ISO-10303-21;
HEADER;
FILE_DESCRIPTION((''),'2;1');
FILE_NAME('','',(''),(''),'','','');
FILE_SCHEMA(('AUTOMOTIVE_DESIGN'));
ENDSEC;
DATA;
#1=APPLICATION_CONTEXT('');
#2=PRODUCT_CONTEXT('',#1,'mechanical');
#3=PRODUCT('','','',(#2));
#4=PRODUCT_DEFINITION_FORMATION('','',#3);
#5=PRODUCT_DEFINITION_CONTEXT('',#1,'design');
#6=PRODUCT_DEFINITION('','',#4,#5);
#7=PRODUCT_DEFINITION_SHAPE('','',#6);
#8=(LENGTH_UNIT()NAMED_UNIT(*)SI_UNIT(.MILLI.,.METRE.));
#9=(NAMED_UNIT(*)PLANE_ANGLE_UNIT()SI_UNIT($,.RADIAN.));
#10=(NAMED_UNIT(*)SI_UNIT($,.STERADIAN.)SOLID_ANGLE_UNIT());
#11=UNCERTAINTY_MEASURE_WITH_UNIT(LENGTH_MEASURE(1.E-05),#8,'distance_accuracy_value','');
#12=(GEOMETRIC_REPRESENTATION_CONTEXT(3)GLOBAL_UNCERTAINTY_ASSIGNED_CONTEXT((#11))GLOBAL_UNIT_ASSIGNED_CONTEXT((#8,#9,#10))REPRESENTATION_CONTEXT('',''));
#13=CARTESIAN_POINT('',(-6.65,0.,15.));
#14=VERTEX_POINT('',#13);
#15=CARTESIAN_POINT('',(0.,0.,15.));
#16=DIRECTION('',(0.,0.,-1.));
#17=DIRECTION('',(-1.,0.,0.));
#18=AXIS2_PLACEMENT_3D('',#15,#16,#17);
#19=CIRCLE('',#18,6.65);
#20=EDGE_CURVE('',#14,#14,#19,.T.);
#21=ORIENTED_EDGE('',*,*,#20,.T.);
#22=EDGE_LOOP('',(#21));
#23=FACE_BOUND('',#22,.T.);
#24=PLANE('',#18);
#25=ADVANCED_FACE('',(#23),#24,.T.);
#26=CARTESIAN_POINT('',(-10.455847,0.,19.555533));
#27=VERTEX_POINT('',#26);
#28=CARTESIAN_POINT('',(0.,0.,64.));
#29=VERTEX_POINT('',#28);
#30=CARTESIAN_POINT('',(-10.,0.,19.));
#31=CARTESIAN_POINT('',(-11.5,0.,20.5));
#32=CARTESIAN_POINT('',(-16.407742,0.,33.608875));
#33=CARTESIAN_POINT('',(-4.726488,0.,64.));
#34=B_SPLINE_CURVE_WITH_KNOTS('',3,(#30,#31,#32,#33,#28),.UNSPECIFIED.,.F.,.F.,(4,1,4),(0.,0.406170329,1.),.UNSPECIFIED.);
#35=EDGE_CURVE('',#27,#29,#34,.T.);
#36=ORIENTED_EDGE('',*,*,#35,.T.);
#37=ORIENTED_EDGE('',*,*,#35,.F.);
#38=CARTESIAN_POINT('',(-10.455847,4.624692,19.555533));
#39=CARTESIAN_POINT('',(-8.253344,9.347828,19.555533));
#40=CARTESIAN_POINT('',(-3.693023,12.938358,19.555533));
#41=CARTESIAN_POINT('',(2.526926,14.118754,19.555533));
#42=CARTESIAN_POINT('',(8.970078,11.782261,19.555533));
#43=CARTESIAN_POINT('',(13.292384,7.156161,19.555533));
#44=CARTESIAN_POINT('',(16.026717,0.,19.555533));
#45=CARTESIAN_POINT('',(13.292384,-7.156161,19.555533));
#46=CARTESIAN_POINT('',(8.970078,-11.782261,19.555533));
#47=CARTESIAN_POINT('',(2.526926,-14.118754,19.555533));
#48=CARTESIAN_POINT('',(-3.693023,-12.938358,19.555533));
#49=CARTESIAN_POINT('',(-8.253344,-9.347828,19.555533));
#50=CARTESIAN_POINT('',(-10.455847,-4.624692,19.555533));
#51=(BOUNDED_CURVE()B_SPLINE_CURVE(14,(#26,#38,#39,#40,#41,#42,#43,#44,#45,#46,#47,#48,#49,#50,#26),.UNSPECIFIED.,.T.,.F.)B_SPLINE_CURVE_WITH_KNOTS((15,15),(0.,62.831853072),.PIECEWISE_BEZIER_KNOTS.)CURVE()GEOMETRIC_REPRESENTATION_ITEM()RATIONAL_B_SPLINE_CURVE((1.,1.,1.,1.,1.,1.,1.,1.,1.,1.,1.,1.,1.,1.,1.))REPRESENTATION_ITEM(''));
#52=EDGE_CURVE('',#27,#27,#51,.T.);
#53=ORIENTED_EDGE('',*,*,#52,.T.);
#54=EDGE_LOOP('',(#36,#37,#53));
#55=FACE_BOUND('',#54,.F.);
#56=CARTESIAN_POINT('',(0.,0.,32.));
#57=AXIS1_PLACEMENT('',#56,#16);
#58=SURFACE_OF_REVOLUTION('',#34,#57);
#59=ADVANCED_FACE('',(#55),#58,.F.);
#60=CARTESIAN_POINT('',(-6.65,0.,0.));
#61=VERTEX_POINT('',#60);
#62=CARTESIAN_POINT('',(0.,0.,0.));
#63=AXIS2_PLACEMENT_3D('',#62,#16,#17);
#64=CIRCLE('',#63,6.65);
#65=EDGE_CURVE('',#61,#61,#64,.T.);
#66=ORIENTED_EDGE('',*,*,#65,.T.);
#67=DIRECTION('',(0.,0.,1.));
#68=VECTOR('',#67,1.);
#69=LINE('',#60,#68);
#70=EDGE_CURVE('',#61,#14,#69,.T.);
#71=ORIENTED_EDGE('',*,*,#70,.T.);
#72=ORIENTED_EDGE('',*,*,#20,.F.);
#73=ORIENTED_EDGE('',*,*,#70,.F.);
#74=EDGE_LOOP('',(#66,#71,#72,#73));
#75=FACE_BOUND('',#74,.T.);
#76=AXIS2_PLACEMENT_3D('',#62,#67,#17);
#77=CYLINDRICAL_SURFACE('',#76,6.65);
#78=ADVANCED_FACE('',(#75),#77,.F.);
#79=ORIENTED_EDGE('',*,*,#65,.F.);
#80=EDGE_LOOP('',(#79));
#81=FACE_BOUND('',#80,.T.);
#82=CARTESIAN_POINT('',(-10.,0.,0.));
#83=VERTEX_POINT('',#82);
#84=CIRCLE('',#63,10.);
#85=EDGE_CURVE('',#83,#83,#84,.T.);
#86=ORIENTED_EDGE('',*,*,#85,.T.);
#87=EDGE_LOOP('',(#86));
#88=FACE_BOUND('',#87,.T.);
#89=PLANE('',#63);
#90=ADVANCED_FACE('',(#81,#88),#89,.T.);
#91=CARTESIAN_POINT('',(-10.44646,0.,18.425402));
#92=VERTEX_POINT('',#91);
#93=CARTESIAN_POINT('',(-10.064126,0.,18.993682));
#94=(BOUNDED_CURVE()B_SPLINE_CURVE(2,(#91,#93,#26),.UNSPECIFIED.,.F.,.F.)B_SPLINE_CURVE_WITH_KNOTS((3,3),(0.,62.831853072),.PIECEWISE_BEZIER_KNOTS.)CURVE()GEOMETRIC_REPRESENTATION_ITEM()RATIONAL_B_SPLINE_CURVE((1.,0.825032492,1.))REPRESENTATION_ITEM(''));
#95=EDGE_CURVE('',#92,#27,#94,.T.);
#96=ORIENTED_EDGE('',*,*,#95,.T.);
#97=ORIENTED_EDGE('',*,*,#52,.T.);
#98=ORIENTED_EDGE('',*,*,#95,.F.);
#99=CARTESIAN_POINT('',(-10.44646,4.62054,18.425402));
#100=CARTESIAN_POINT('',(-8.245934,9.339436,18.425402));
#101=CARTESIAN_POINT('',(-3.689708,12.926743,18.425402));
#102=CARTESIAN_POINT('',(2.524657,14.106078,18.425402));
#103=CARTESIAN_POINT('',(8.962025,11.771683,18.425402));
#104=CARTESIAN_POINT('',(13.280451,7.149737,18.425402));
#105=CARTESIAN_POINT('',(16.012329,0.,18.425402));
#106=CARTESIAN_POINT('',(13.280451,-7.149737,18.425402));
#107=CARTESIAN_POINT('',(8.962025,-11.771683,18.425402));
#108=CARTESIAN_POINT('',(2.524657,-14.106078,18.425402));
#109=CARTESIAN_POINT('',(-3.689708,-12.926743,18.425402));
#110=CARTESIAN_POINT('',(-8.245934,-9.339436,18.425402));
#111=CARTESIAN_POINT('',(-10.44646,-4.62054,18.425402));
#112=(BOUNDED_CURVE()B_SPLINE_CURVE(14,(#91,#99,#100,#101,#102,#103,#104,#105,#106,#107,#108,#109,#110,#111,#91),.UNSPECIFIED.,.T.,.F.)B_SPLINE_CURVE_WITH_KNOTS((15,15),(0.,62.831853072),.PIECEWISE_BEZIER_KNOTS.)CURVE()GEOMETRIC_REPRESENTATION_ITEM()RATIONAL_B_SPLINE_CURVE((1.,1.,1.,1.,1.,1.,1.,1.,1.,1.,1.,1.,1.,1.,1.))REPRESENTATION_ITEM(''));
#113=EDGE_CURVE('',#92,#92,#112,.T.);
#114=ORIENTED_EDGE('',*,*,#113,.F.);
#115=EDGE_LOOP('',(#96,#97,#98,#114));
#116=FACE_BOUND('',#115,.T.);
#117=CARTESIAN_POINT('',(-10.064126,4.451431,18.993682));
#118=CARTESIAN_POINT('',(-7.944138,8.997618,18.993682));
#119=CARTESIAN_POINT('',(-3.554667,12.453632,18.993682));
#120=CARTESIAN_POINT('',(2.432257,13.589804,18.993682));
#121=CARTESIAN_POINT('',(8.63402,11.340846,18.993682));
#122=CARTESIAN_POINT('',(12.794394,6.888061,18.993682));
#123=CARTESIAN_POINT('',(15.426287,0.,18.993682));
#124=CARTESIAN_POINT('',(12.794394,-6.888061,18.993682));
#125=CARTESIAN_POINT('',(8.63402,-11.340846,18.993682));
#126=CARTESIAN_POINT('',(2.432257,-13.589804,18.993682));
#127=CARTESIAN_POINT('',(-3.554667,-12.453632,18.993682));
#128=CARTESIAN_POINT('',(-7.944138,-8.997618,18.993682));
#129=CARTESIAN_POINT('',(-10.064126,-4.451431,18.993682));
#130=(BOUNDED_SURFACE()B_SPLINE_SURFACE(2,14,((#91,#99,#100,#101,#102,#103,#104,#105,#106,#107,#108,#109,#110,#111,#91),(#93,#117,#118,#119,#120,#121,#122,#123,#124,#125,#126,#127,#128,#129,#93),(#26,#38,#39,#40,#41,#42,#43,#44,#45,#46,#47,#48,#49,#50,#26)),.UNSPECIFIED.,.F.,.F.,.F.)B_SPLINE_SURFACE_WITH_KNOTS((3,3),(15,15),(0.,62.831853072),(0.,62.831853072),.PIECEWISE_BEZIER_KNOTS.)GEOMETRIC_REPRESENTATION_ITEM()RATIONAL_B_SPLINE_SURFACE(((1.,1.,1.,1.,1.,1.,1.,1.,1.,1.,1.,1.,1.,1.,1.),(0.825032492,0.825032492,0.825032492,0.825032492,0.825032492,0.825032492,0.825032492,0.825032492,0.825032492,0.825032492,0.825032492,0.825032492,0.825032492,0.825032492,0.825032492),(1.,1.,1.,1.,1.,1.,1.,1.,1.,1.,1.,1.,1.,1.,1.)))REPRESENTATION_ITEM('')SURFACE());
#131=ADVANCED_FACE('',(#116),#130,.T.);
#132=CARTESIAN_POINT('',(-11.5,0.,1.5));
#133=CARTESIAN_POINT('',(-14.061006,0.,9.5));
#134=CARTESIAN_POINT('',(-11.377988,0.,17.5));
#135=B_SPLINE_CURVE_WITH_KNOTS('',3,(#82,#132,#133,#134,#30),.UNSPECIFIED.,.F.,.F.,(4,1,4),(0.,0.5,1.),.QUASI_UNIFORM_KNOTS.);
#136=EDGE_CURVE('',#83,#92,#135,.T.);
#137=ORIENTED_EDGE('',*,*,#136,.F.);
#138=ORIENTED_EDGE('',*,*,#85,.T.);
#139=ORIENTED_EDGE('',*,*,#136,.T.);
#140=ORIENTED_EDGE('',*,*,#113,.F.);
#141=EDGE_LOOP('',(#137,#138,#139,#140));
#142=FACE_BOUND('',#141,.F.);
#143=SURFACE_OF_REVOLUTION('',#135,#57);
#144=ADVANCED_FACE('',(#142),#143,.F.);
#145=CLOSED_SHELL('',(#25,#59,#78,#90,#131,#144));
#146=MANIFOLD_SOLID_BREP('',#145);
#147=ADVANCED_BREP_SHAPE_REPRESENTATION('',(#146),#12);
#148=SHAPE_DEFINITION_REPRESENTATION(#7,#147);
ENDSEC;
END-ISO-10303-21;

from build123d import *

# Parameters (mm, degrees)
F2_R = 1


with BuildPart() as f1:
    # F0 (on Front) → F1 (revolve)
    with BuildSketch(Plane.XZ):
        with BuildLine():
            add(Edge.make_bspline(
                [(-10, 0), (-11.5, 1.5), (-14.0610059332, 9.5), (-11.3779881336, 17.5), (-10, 19)],
                knots=[0, 0, 0, 0, 0.5, 1, 1, 1, 1], degree=3))
            Line((-10, 0), (-6.65, 0))
            Line((-6.65, 0), (-6.65, 15))
            Line((-6.65, 15), (0, 15))
            Line((0, 15), (0, 64))
            add(Edge.make_bspline(
                [(-10, 19), (-11.5, 20.5), (-16.4077424385, 33.608875306), (-4.7264881485, 64), (0, 64)],
                knots=[0, 0, 0, 0, 0.4061703287, 1, 1, 1, 1], degree=3))
        make_face()
    revolve(axis=Axis((0, 0, 32), (0, 0, -1)))

    # F2
    f2_edges = [f1.edges().sort_by_distance(p)[0] for p in [
        (10, 0, 19),
    ]]
    fillet(f2_edges, radius=F2_R)


solid = f1.part
